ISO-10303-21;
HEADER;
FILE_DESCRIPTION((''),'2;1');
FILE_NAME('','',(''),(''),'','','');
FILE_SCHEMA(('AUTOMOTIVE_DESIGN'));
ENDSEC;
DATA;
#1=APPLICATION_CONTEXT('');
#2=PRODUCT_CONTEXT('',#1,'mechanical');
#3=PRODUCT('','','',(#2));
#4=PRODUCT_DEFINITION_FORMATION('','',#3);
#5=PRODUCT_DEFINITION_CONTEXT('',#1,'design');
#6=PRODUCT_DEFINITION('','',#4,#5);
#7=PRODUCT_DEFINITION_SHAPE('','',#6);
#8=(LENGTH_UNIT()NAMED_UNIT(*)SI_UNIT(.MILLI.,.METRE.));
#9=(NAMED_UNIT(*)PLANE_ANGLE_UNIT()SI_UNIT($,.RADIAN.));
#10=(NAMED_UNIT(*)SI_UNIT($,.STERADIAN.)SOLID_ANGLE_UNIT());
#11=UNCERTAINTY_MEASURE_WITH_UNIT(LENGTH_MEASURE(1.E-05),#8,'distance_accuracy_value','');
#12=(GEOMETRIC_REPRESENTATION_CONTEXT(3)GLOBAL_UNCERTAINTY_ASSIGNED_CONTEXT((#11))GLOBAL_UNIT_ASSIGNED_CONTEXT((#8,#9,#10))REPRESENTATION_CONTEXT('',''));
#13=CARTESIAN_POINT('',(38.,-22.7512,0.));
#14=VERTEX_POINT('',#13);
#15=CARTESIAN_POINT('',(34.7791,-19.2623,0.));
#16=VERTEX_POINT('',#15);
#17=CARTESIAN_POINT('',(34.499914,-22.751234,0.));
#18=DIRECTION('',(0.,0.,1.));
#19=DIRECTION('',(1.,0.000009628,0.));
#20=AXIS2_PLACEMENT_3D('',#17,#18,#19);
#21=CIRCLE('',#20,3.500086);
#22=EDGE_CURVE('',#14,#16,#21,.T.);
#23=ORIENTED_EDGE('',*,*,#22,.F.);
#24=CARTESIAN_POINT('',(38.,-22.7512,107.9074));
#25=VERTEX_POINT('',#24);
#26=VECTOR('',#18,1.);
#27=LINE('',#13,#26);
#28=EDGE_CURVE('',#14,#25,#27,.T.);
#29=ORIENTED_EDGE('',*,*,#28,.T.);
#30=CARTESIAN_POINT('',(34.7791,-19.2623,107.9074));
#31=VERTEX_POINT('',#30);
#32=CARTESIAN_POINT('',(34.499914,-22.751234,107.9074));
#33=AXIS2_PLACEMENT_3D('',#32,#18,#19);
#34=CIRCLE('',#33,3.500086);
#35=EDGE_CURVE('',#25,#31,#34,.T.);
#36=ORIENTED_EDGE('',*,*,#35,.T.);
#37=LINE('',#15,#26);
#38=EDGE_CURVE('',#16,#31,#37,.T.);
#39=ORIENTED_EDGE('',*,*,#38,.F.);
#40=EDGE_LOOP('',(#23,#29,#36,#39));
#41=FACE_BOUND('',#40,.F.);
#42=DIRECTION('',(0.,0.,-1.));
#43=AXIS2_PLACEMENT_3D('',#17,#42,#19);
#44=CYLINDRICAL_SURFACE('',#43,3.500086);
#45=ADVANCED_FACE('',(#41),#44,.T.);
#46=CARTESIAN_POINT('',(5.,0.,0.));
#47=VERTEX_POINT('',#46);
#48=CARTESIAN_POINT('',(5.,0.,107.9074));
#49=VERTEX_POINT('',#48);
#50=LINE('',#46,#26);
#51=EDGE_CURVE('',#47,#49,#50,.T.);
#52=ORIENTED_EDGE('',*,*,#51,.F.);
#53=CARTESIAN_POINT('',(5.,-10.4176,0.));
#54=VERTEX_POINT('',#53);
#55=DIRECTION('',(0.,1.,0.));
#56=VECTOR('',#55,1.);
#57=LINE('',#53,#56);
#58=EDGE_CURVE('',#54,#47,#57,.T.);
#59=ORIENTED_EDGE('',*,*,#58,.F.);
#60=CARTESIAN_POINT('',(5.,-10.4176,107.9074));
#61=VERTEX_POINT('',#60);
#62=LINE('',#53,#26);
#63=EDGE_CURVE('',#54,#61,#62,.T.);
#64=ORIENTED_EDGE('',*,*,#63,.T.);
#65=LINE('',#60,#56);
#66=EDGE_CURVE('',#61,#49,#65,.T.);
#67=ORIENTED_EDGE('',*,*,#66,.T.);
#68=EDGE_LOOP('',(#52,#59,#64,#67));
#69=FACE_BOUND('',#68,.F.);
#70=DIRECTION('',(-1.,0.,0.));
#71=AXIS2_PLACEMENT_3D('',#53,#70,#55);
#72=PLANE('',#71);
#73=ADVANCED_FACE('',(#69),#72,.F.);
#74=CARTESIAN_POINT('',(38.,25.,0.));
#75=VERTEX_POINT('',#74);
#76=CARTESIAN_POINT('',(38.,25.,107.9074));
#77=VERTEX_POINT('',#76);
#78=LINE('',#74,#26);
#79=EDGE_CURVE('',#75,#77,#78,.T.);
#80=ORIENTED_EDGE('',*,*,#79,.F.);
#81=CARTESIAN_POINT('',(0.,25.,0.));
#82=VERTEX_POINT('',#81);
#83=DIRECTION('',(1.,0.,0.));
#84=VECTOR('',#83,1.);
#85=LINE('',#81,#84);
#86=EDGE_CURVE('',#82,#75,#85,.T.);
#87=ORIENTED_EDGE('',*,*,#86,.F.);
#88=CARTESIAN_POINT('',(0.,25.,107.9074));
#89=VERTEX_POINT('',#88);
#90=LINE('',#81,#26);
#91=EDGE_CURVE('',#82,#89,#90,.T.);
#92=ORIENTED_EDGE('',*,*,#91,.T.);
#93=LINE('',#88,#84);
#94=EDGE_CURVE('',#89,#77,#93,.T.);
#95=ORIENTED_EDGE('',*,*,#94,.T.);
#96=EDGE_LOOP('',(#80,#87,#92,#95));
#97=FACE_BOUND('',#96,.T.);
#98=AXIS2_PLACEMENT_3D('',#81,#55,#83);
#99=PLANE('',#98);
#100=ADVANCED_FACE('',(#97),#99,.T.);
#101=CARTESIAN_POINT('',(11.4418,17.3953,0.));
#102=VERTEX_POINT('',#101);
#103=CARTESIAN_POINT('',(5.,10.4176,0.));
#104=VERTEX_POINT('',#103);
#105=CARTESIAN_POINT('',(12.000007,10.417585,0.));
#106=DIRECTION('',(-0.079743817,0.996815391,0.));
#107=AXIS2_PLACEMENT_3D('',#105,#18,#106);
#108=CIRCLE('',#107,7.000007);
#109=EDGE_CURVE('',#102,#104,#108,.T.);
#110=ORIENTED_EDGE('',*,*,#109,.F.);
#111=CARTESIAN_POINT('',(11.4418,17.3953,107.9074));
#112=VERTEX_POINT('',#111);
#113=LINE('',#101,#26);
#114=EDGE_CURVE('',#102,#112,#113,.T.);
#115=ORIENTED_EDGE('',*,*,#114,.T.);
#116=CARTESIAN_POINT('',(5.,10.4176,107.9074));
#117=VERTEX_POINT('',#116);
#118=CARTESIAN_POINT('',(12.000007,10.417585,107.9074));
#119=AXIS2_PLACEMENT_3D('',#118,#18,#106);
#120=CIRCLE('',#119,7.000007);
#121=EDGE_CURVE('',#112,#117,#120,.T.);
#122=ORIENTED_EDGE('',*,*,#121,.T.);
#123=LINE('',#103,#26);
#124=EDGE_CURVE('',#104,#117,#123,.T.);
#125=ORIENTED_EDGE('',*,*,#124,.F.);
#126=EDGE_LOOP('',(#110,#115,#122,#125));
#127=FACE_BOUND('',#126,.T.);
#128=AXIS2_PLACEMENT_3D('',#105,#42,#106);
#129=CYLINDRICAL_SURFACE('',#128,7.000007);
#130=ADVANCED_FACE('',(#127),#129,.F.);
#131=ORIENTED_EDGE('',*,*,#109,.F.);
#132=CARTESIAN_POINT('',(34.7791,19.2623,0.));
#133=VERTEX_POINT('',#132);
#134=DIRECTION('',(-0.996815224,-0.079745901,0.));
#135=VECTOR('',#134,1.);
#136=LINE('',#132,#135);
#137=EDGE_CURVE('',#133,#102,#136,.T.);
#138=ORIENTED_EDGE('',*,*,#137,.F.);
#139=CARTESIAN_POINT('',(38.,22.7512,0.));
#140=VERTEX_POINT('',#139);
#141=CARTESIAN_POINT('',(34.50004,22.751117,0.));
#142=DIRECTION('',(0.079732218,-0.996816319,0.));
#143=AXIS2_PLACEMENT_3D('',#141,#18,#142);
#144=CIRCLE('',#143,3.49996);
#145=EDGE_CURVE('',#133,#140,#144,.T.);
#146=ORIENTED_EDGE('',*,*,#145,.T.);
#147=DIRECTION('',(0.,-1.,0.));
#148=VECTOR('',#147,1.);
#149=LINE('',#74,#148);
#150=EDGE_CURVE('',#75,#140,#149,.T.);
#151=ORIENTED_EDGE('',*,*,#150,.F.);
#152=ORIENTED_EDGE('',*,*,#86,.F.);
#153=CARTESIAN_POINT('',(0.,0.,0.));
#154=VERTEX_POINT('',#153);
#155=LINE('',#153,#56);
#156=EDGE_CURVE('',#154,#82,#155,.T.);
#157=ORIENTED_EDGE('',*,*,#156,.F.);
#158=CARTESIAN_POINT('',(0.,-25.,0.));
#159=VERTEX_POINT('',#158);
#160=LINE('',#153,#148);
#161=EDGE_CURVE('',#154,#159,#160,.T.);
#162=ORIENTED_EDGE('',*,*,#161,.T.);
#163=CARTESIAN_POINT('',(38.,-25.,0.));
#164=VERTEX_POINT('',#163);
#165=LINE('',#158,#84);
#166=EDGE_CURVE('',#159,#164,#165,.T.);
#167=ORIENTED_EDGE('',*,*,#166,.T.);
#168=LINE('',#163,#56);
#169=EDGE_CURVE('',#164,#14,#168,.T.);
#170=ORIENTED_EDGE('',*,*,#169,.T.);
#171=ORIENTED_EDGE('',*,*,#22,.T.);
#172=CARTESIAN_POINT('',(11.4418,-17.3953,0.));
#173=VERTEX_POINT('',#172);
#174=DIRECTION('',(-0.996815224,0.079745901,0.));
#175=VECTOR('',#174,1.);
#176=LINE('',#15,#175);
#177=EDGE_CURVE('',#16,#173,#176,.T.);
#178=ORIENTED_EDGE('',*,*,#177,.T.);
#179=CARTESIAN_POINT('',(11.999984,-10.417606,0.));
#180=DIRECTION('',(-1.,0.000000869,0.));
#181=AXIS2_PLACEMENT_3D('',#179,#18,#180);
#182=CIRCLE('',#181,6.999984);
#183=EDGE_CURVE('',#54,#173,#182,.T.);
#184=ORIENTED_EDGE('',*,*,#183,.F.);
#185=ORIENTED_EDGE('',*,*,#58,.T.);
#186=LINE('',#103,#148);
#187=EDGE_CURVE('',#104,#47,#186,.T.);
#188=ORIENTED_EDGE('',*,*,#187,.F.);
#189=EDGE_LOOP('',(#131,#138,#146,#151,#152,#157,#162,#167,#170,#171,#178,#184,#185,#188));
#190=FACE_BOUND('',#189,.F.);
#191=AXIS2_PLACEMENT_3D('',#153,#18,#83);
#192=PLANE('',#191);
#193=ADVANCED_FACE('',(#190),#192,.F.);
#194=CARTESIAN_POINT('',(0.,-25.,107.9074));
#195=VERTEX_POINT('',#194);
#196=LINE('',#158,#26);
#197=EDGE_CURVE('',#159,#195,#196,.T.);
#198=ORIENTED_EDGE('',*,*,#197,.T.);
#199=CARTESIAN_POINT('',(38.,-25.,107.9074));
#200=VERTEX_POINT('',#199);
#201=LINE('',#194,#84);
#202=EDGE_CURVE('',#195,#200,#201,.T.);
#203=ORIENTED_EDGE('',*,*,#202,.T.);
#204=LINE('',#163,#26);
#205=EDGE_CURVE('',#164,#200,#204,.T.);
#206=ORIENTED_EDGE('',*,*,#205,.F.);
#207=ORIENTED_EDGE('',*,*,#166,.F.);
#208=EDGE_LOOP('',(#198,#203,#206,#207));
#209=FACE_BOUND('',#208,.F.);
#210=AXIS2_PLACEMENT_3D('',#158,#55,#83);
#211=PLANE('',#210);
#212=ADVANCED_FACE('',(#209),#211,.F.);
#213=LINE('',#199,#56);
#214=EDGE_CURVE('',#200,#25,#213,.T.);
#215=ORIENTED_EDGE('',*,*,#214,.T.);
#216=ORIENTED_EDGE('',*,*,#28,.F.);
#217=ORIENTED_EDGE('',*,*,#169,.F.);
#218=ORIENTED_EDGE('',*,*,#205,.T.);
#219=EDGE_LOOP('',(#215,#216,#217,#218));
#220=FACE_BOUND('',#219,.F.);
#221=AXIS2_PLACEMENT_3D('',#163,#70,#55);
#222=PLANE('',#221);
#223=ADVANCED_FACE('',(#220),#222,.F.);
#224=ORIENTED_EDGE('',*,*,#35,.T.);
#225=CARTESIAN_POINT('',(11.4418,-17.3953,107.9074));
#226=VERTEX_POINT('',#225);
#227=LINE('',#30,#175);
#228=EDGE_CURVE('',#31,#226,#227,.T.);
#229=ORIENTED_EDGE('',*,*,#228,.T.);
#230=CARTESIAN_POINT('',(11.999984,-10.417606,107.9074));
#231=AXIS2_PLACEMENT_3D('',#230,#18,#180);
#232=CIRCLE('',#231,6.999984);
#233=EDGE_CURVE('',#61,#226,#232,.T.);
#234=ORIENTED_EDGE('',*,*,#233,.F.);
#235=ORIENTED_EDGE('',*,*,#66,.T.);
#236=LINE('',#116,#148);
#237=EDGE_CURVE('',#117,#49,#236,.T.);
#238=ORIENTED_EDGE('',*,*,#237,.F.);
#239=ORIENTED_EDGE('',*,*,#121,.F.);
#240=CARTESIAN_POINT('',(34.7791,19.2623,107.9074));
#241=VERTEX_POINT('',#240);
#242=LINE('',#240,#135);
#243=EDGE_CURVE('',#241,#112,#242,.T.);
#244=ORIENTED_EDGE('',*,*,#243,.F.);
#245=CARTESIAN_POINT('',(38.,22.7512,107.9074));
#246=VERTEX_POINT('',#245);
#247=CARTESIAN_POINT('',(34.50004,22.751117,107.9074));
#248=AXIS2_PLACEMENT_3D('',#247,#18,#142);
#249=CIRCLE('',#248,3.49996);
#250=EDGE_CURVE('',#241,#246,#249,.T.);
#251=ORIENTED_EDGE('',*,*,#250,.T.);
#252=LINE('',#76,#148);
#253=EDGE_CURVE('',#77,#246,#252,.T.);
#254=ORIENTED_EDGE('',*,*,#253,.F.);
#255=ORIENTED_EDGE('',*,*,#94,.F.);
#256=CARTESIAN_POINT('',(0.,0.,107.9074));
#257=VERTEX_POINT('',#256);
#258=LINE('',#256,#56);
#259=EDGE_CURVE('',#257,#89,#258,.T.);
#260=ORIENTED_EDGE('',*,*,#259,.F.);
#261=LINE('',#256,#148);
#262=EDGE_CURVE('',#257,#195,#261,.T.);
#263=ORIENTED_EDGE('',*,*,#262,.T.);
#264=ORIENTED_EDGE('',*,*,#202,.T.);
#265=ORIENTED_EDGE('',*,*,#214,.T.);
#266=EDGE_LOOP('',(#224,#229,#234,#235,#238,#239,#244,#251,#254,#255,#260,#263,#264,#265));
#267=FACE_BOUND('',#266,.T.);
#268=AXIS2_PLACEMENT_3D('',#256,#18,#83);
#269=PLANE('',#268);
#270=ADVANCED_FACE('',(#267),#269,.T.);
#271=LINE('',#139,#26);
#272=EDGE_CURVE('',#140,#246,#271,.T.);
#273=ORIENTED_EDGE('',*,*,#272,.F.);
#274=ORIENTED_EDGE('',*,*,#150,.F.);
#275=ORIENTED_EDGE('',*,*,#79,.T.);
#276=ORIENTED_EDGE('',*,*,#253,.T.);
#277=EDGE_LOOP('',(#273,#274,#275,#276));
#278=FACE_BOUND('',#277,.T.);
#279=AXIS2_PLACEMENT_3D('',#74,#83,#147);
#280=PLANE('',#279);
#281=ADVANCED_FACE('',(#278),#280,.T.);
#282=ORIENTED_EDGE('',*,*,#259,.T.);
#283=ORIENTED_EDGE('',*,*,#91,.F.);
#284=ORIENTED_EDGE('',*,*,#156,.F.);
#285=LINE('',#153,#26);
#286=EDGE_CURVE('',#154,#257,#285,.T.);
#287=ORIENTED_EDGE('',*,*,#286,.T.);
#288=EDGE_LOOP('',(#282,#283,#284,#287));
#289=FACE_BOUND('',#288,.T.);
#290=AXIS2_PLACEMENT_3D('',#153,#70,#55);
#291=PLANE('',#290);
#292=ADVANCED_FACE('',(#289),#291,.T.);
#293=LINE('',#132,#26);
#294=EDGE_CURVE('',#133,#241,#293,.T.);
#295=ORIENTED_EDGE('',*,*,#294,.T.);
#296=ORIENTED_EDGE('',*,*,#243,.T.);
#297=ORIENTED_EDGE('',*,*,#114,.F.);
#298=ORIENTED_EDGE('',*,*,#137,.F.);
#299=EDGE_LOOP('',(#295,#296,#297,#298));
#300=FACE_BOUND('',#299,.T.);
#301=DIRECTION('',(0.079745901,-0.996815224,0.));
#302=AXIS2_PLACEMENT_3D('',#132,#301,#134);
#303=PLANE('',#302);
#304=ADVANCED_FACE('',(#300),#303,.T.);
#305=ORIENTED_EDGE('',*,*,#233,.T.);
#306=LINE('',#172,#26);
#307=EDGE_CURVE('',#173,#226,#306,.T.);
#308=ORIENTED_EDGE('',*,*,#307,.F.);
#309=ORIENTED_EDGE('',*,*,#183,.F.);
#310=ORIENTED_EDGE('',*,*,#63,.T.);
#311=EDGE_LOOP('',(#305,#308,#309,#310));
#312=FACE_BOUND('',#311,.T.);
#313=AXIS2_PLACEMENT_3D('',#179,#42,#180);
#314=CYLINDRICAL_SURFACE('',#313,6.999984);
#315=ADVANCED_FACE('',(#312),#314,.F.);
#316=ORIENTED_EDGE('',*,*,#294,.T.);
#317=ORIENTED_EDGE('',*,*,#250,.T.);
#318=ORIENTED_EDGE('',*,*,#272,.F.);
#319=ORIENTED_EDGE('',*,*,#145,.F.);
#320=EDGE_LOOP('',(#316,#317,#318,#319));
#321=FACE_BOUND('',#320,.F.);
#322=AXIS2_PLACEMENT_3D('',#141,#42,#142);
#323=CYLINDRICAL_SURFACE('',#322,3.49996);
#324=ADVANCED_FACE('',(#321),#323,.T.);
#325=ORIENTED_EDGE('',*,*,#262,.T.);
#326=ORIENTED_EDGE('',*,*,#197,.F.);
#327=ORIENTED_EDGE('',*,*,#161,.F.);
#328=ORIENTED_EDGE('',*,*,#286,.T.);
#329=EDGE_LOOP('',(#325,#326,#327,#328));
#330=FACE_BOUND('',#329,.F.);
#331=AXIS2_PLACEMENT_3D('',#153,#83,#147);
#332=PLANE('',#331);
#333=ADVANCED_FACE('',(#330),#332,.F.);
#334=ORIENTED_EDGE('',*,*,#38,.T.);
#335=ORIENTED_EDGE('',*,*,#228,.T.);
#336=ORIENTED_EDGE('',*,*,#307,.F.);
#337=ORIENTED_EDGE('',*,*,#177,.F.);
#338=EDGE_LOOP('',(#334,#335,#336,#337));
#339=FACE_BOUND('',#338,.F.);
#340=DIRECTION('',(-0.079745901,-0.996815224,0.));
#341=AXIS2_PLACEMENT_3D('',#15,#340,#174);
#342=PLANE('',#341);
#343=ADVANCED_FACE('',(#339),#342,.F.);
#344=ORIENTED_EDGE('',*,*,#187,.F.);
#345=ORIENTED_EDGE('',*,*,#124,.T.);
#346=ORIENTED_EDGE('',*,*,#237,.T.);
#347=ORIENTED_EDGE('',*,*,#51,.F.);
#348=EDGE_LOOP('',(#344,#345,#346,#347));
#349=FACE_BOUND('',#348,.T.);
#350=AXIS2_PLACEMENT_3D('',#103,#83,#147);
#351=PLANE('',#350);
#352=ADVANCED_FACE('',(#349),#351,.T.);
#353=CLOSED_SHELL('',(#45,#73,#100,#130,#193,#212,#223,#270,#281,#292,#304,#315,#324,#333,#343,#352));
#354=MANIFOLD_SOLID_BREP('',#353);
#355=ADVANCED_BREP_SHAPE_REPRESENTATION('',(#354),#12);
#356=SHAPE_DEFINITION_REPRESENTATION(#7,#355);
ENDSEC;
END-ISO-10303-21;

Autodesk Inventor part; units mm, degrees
ref_plane "YZ Plane" through (0, 0, 0) normal (1, 0, 0) x (0, 1, 0)
ref_plane "Start plane" through (0, 0, 0) normal (0, 0, 1) x (1, 0, 0)
ref_plane "End plane" through (0, 0, 107.9074) normal (0, 0, 1) x (1, 0, 0)
sketch "Sketch" plane through (0, 0, 0) normal (0, 0, 1) x (1, 0, 0)
  line L0 (0, 0) -> (0, 25)
  line L1 (0, 25) -> (38, 25)
  line L2 (38, 25) -> (38, 22.7512)
  line L3 (34.7791, 19.2623) -> (11.4418, 17.3953)
  line L4 (5, 10.4176) -> (5, 0)
  line L5 (5, 0) -> (0, 0) construction
  line L6 (19, 25) -> (19, 18) construction
  line L7 (38, 19.52) -> (38, 18) construction
  line L8 (38, 18) -> (19, 18) construction
  line L9 (0, 15) -> (0, -27) construction
  line L10 (-5.539, 0) -> (16.0067, 0) construction
  line L11 (0, 0) -> (0, -25)
  line L12 (0, -25) -> (38, -25)
  line L13 (38, -25) -> (38, -22.7512)
  line L14 (34.7791, -19.2623) -> (11.4418, -17.3953)
  line L15 (5, -10.4176) -> (5, 0)
  arc A0 (11.4418, 17.3953) -> (5, 10.4176) centre (12, 10.4176) ccw
  arc A1 (5, -10.4176) -> (11.4418, -17.3953) centre (12, -10.4176) ccw
  arc A2 (34.7791, 19.2623) -> (38, 22.7512) centre (34.5, 22.7512) ccw
  arc A3 (38, -22.7512) -> (34.7791, -19.2623) centre (34.5, -22.7512) ccw
  line L16 (0, 35.4) -> (0, -37.4) construction
  line L17 (-14.3832, 0) -> (47.5263, 0) construction
  point P0 (5, 16.88)
  point P1 (38, -19.52)
  point P2 (5, -16.88)
  point P3 (19, -25)
  point P4 (19, -18)
  dimension "d0" = 5
  dimension "d1" = 25
  dimension "d2" = 38
  dimension "d3" = 7
  dimension "d4" = 19
  dimension "d5" = 1.52
  dimension "d23" = 7
  dimension "d24" = 3.5
  dimension "d25" = 0
extrude "Body" add sketch "Sketch" along normal up to surface (107.9074 mm away) from surface at 0
sketch "Sketch3" plane through (0, 0, 0) normal (0, 0, 1) x (1, 0, 0)
  line L0 (0, 0) -> (10, 0)
ref_plane "Work Plane3" through (0, 0, 0) normal (0, -1, 0) x (1, 0, 0)
sketch "Sketch4" plane through (0, 0, 0) normal (0, -1, 0) x (1, 0, 0)
  line L0 (-2, 0) -> (12, 0)
  line L1 (-2, 107.9074) -> (12, 107.9074)
  dimension "d29" = 107.9074
sketch "Sketch5" plane through (0, 25, 107.9074) normal (0, 0, 1) x (1, 0, 0)
  line L0 (0, -25) -> (57.4933, -25)
  circle A0 centre (30, -25) radius 25
  line L1 (0, -50) -> (0, 0) projected
  line L2 (5, -14.5824) -> (5, -35.4176) projected
  line L3 (12.1692, -7.4768) -> (12.1692, 0)
  line L4 (38, 0) -> (38, -2.2488) projected
  dimension "d30" = 50
  dimension "d31" = 30
  dimension "d32" = 5
  dimension "d33" = 12.1692
  dimension "d34" = 25.8308
equation "\"d0\" = G_T"
equation "\"d1\" = 0.5 * G_H"
equation "\"d2\" = G_W"
equation "\"d3\" = G_T1"
equation "\"d4\" = G_C"
equation "\"d23\" = G_IR"
equation "\"d24\" = G_ER"
equation "\"d6\" = G_L"
equation "\"G_W\" = 38"
equation "\"G_H\" = 50"
equation "\"G_T\" = 5"
equation "\"G_T1\" = 7"
equation "\"G_NG\" = 0.08"
equation "\"G_ER\" = 3.5"
equation "\"G_IR\" = 7"
equation "\"G_C\" = 19"
equation "\"G_L\" = d29"
equation "\"ex\" = 0"
equation "\"G_OFFSET_START\" = 0"
equation "\"G_OFFSET_END\" = 0"
equation "\"d27\" = G_OFFSET_END + B_L"
equation "\"B_L\" = 107.90737"
properties part number "DIN1026-1 - U 50 - 107.907" material "Steel, Mild"
